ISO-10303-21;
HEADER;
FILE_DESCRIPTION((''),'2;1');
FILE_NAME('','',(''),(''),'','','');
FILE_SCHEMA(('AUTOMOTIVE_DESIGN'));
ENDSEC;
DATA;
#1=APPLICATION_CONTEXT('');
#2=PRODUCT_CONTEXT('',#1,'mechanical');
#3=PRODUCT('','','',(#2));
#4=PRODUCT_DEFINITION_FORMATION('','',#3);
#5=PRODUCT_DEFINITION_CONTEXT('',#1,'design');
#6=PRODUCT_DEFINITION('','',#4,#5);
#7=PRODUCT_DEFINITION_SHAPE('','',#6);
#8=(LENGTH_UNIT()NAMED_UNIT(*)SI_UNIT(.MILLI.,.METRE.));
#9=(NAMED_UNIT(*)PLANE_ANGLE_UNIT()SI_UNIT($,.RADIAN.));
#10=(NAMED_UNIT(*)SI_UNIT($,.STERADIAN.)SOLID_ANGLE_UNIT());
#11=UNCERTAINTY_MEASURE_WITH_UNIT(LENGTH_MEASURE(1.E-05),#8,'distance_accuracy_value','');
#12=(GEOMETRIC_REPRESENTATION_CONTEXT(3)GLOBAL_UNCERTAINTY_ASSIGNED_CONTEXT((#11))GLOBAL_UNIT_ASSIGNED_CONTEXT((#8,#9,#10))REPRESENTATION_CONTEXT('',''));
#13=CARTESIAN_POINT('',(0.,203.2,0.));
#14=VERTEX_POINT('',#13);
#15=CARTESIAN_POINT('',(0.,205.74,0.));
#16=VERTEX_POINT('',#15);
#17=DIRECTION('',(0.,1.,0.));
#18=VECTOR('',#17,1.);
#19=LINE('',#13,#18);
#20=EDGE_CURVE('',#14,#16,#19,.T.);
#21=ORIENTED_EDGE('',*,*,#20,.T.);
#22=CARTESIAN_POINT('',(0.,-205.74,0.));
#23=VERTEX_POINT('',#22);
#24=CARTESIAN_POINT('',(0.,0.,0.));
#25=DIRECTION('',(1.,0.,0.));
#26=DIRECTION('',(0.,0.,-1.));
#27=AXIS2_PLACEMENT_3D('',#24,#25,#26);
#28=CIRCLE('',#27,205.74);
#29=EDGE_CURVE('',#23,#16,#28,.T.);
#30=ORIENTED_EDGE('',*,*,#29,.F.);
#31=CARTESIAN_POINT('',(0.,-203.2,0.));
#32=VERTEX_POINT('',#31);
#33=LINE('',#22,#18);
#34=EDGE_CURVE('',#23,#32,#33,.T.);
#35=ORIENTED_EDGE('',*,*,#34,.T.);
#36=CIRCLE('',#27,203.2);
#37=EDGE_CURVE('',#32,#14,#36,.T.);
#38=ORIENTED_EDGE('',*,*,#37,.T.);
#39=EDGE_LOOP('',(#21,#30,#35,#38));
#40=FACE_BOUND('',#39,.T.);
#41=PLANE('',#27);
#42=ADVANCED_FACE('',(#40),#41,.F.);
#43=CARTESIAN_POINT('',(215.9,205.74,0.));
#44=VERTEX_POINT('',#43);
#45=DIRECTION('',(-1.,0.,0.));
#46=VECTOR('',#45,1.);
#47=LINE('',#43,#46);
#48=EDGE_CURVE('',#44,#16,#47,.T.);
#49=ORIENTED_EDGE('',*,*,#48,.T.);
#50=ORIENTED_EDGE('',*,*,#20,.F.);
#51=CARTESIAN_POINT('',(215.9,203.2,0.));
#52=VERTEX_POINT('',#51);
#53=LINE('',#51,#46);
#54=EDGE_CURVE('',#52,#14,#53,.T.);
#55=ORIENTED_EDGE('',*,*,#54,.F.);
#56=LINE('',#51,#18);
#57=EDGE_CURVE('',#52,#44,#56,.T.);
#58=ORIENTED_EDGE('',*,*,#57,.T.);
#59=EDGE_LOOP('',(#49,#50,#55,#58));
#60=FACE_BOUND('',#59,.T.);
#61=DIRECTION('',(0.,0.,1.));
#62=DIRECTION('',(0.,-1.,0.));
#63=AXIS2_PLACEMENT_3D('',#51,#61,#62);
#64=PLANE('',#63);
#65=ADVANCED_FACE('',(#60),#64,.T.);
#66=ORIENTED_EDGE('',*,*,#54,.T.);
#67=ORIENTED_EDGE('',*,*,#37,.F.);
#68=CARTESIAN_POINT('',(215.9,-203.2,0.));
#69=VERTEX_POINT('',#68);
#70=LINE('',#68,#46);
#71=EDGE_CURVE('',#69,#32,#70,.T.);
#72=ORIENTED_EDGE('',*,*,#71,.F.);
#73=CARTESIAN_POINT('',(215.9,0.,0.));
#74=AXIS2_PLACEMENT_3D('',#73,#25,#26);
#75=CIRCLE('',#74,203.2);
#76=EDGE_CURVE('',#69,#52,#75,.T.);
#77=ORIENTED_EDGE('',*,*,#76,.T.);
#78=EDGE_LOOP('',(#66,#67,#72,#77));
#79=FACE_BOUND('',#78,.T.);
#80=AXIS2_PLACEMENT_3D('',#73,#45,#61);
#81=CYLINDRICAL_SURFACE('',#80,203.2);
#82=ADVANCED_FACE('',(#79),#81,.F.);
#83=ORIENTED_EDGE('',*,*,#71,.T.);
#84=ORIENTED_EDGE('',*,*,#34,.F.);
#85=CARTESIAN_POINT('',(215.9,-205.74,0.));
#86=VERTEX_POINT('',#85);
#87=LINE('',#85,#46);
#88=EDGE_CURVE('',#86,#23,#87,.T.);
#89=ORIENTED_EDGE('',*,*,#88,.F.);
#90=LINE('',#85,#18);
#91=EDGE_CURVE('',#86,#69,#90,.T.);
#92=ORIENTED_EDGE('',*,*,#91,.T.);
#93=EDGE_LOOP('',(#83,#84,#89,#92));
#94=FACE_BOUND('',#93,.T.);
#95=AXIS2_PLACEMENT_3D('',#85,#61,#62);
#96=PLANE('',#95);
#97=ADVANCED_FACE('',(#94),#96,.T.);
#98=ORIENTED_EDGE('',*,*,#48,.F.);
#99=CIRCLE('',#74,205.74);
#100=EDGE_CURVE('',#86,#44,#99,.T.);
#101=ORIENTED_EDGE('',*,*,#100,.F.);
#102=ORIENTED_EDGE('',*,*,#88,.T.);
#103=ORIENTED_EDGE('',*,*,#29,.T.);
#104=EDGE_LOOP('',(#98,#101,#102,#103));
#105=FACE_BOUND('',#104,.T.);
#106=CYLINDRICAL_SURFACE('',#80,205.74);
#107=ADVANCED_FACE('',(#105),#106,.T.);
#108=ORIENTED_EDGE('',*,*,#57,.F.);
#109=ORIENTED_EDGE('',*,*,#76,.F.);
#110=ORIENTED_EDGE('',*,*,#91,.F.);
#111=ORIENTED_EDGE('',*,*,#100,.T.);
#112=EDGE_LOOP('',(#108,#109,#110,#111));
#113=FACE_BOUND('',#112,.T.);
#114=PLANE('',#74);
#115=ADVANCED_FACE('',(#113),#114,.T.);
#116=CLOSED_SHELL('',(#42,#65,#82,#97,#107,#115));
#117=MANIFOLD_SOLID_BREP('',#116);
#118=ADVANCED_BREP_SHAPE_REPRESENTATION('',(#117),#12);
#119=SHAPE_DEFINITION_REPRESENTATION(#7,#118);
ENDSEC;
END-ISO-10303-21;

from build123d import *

# Parameters (mm, degrees)
EXTRUDE_THIN1_DEPTH = 215.9


with BuildPart() as part:
    # Sketch1 → Extrude-Thin1 (new body)
    with BuildSketch(Plane(origin=(0, 0, 0), x_dir=(0, 0, -1), z_dir=(1, 0, 0))):
        with BuildLine():
            ThreePointArc((0, -203.2), (203.2, 0), (0, 203.2))
            Line((0, 203.2), (0, 205.74))
            ThreePointArc((0, 205.74), (205.74, 0), (0, -205.74))
            Line((0, -205.74), (0, -203.2))
        make_face()
    extrude(amount=EXTRUDE_THIN1_DEPTH)


solid = part.part
